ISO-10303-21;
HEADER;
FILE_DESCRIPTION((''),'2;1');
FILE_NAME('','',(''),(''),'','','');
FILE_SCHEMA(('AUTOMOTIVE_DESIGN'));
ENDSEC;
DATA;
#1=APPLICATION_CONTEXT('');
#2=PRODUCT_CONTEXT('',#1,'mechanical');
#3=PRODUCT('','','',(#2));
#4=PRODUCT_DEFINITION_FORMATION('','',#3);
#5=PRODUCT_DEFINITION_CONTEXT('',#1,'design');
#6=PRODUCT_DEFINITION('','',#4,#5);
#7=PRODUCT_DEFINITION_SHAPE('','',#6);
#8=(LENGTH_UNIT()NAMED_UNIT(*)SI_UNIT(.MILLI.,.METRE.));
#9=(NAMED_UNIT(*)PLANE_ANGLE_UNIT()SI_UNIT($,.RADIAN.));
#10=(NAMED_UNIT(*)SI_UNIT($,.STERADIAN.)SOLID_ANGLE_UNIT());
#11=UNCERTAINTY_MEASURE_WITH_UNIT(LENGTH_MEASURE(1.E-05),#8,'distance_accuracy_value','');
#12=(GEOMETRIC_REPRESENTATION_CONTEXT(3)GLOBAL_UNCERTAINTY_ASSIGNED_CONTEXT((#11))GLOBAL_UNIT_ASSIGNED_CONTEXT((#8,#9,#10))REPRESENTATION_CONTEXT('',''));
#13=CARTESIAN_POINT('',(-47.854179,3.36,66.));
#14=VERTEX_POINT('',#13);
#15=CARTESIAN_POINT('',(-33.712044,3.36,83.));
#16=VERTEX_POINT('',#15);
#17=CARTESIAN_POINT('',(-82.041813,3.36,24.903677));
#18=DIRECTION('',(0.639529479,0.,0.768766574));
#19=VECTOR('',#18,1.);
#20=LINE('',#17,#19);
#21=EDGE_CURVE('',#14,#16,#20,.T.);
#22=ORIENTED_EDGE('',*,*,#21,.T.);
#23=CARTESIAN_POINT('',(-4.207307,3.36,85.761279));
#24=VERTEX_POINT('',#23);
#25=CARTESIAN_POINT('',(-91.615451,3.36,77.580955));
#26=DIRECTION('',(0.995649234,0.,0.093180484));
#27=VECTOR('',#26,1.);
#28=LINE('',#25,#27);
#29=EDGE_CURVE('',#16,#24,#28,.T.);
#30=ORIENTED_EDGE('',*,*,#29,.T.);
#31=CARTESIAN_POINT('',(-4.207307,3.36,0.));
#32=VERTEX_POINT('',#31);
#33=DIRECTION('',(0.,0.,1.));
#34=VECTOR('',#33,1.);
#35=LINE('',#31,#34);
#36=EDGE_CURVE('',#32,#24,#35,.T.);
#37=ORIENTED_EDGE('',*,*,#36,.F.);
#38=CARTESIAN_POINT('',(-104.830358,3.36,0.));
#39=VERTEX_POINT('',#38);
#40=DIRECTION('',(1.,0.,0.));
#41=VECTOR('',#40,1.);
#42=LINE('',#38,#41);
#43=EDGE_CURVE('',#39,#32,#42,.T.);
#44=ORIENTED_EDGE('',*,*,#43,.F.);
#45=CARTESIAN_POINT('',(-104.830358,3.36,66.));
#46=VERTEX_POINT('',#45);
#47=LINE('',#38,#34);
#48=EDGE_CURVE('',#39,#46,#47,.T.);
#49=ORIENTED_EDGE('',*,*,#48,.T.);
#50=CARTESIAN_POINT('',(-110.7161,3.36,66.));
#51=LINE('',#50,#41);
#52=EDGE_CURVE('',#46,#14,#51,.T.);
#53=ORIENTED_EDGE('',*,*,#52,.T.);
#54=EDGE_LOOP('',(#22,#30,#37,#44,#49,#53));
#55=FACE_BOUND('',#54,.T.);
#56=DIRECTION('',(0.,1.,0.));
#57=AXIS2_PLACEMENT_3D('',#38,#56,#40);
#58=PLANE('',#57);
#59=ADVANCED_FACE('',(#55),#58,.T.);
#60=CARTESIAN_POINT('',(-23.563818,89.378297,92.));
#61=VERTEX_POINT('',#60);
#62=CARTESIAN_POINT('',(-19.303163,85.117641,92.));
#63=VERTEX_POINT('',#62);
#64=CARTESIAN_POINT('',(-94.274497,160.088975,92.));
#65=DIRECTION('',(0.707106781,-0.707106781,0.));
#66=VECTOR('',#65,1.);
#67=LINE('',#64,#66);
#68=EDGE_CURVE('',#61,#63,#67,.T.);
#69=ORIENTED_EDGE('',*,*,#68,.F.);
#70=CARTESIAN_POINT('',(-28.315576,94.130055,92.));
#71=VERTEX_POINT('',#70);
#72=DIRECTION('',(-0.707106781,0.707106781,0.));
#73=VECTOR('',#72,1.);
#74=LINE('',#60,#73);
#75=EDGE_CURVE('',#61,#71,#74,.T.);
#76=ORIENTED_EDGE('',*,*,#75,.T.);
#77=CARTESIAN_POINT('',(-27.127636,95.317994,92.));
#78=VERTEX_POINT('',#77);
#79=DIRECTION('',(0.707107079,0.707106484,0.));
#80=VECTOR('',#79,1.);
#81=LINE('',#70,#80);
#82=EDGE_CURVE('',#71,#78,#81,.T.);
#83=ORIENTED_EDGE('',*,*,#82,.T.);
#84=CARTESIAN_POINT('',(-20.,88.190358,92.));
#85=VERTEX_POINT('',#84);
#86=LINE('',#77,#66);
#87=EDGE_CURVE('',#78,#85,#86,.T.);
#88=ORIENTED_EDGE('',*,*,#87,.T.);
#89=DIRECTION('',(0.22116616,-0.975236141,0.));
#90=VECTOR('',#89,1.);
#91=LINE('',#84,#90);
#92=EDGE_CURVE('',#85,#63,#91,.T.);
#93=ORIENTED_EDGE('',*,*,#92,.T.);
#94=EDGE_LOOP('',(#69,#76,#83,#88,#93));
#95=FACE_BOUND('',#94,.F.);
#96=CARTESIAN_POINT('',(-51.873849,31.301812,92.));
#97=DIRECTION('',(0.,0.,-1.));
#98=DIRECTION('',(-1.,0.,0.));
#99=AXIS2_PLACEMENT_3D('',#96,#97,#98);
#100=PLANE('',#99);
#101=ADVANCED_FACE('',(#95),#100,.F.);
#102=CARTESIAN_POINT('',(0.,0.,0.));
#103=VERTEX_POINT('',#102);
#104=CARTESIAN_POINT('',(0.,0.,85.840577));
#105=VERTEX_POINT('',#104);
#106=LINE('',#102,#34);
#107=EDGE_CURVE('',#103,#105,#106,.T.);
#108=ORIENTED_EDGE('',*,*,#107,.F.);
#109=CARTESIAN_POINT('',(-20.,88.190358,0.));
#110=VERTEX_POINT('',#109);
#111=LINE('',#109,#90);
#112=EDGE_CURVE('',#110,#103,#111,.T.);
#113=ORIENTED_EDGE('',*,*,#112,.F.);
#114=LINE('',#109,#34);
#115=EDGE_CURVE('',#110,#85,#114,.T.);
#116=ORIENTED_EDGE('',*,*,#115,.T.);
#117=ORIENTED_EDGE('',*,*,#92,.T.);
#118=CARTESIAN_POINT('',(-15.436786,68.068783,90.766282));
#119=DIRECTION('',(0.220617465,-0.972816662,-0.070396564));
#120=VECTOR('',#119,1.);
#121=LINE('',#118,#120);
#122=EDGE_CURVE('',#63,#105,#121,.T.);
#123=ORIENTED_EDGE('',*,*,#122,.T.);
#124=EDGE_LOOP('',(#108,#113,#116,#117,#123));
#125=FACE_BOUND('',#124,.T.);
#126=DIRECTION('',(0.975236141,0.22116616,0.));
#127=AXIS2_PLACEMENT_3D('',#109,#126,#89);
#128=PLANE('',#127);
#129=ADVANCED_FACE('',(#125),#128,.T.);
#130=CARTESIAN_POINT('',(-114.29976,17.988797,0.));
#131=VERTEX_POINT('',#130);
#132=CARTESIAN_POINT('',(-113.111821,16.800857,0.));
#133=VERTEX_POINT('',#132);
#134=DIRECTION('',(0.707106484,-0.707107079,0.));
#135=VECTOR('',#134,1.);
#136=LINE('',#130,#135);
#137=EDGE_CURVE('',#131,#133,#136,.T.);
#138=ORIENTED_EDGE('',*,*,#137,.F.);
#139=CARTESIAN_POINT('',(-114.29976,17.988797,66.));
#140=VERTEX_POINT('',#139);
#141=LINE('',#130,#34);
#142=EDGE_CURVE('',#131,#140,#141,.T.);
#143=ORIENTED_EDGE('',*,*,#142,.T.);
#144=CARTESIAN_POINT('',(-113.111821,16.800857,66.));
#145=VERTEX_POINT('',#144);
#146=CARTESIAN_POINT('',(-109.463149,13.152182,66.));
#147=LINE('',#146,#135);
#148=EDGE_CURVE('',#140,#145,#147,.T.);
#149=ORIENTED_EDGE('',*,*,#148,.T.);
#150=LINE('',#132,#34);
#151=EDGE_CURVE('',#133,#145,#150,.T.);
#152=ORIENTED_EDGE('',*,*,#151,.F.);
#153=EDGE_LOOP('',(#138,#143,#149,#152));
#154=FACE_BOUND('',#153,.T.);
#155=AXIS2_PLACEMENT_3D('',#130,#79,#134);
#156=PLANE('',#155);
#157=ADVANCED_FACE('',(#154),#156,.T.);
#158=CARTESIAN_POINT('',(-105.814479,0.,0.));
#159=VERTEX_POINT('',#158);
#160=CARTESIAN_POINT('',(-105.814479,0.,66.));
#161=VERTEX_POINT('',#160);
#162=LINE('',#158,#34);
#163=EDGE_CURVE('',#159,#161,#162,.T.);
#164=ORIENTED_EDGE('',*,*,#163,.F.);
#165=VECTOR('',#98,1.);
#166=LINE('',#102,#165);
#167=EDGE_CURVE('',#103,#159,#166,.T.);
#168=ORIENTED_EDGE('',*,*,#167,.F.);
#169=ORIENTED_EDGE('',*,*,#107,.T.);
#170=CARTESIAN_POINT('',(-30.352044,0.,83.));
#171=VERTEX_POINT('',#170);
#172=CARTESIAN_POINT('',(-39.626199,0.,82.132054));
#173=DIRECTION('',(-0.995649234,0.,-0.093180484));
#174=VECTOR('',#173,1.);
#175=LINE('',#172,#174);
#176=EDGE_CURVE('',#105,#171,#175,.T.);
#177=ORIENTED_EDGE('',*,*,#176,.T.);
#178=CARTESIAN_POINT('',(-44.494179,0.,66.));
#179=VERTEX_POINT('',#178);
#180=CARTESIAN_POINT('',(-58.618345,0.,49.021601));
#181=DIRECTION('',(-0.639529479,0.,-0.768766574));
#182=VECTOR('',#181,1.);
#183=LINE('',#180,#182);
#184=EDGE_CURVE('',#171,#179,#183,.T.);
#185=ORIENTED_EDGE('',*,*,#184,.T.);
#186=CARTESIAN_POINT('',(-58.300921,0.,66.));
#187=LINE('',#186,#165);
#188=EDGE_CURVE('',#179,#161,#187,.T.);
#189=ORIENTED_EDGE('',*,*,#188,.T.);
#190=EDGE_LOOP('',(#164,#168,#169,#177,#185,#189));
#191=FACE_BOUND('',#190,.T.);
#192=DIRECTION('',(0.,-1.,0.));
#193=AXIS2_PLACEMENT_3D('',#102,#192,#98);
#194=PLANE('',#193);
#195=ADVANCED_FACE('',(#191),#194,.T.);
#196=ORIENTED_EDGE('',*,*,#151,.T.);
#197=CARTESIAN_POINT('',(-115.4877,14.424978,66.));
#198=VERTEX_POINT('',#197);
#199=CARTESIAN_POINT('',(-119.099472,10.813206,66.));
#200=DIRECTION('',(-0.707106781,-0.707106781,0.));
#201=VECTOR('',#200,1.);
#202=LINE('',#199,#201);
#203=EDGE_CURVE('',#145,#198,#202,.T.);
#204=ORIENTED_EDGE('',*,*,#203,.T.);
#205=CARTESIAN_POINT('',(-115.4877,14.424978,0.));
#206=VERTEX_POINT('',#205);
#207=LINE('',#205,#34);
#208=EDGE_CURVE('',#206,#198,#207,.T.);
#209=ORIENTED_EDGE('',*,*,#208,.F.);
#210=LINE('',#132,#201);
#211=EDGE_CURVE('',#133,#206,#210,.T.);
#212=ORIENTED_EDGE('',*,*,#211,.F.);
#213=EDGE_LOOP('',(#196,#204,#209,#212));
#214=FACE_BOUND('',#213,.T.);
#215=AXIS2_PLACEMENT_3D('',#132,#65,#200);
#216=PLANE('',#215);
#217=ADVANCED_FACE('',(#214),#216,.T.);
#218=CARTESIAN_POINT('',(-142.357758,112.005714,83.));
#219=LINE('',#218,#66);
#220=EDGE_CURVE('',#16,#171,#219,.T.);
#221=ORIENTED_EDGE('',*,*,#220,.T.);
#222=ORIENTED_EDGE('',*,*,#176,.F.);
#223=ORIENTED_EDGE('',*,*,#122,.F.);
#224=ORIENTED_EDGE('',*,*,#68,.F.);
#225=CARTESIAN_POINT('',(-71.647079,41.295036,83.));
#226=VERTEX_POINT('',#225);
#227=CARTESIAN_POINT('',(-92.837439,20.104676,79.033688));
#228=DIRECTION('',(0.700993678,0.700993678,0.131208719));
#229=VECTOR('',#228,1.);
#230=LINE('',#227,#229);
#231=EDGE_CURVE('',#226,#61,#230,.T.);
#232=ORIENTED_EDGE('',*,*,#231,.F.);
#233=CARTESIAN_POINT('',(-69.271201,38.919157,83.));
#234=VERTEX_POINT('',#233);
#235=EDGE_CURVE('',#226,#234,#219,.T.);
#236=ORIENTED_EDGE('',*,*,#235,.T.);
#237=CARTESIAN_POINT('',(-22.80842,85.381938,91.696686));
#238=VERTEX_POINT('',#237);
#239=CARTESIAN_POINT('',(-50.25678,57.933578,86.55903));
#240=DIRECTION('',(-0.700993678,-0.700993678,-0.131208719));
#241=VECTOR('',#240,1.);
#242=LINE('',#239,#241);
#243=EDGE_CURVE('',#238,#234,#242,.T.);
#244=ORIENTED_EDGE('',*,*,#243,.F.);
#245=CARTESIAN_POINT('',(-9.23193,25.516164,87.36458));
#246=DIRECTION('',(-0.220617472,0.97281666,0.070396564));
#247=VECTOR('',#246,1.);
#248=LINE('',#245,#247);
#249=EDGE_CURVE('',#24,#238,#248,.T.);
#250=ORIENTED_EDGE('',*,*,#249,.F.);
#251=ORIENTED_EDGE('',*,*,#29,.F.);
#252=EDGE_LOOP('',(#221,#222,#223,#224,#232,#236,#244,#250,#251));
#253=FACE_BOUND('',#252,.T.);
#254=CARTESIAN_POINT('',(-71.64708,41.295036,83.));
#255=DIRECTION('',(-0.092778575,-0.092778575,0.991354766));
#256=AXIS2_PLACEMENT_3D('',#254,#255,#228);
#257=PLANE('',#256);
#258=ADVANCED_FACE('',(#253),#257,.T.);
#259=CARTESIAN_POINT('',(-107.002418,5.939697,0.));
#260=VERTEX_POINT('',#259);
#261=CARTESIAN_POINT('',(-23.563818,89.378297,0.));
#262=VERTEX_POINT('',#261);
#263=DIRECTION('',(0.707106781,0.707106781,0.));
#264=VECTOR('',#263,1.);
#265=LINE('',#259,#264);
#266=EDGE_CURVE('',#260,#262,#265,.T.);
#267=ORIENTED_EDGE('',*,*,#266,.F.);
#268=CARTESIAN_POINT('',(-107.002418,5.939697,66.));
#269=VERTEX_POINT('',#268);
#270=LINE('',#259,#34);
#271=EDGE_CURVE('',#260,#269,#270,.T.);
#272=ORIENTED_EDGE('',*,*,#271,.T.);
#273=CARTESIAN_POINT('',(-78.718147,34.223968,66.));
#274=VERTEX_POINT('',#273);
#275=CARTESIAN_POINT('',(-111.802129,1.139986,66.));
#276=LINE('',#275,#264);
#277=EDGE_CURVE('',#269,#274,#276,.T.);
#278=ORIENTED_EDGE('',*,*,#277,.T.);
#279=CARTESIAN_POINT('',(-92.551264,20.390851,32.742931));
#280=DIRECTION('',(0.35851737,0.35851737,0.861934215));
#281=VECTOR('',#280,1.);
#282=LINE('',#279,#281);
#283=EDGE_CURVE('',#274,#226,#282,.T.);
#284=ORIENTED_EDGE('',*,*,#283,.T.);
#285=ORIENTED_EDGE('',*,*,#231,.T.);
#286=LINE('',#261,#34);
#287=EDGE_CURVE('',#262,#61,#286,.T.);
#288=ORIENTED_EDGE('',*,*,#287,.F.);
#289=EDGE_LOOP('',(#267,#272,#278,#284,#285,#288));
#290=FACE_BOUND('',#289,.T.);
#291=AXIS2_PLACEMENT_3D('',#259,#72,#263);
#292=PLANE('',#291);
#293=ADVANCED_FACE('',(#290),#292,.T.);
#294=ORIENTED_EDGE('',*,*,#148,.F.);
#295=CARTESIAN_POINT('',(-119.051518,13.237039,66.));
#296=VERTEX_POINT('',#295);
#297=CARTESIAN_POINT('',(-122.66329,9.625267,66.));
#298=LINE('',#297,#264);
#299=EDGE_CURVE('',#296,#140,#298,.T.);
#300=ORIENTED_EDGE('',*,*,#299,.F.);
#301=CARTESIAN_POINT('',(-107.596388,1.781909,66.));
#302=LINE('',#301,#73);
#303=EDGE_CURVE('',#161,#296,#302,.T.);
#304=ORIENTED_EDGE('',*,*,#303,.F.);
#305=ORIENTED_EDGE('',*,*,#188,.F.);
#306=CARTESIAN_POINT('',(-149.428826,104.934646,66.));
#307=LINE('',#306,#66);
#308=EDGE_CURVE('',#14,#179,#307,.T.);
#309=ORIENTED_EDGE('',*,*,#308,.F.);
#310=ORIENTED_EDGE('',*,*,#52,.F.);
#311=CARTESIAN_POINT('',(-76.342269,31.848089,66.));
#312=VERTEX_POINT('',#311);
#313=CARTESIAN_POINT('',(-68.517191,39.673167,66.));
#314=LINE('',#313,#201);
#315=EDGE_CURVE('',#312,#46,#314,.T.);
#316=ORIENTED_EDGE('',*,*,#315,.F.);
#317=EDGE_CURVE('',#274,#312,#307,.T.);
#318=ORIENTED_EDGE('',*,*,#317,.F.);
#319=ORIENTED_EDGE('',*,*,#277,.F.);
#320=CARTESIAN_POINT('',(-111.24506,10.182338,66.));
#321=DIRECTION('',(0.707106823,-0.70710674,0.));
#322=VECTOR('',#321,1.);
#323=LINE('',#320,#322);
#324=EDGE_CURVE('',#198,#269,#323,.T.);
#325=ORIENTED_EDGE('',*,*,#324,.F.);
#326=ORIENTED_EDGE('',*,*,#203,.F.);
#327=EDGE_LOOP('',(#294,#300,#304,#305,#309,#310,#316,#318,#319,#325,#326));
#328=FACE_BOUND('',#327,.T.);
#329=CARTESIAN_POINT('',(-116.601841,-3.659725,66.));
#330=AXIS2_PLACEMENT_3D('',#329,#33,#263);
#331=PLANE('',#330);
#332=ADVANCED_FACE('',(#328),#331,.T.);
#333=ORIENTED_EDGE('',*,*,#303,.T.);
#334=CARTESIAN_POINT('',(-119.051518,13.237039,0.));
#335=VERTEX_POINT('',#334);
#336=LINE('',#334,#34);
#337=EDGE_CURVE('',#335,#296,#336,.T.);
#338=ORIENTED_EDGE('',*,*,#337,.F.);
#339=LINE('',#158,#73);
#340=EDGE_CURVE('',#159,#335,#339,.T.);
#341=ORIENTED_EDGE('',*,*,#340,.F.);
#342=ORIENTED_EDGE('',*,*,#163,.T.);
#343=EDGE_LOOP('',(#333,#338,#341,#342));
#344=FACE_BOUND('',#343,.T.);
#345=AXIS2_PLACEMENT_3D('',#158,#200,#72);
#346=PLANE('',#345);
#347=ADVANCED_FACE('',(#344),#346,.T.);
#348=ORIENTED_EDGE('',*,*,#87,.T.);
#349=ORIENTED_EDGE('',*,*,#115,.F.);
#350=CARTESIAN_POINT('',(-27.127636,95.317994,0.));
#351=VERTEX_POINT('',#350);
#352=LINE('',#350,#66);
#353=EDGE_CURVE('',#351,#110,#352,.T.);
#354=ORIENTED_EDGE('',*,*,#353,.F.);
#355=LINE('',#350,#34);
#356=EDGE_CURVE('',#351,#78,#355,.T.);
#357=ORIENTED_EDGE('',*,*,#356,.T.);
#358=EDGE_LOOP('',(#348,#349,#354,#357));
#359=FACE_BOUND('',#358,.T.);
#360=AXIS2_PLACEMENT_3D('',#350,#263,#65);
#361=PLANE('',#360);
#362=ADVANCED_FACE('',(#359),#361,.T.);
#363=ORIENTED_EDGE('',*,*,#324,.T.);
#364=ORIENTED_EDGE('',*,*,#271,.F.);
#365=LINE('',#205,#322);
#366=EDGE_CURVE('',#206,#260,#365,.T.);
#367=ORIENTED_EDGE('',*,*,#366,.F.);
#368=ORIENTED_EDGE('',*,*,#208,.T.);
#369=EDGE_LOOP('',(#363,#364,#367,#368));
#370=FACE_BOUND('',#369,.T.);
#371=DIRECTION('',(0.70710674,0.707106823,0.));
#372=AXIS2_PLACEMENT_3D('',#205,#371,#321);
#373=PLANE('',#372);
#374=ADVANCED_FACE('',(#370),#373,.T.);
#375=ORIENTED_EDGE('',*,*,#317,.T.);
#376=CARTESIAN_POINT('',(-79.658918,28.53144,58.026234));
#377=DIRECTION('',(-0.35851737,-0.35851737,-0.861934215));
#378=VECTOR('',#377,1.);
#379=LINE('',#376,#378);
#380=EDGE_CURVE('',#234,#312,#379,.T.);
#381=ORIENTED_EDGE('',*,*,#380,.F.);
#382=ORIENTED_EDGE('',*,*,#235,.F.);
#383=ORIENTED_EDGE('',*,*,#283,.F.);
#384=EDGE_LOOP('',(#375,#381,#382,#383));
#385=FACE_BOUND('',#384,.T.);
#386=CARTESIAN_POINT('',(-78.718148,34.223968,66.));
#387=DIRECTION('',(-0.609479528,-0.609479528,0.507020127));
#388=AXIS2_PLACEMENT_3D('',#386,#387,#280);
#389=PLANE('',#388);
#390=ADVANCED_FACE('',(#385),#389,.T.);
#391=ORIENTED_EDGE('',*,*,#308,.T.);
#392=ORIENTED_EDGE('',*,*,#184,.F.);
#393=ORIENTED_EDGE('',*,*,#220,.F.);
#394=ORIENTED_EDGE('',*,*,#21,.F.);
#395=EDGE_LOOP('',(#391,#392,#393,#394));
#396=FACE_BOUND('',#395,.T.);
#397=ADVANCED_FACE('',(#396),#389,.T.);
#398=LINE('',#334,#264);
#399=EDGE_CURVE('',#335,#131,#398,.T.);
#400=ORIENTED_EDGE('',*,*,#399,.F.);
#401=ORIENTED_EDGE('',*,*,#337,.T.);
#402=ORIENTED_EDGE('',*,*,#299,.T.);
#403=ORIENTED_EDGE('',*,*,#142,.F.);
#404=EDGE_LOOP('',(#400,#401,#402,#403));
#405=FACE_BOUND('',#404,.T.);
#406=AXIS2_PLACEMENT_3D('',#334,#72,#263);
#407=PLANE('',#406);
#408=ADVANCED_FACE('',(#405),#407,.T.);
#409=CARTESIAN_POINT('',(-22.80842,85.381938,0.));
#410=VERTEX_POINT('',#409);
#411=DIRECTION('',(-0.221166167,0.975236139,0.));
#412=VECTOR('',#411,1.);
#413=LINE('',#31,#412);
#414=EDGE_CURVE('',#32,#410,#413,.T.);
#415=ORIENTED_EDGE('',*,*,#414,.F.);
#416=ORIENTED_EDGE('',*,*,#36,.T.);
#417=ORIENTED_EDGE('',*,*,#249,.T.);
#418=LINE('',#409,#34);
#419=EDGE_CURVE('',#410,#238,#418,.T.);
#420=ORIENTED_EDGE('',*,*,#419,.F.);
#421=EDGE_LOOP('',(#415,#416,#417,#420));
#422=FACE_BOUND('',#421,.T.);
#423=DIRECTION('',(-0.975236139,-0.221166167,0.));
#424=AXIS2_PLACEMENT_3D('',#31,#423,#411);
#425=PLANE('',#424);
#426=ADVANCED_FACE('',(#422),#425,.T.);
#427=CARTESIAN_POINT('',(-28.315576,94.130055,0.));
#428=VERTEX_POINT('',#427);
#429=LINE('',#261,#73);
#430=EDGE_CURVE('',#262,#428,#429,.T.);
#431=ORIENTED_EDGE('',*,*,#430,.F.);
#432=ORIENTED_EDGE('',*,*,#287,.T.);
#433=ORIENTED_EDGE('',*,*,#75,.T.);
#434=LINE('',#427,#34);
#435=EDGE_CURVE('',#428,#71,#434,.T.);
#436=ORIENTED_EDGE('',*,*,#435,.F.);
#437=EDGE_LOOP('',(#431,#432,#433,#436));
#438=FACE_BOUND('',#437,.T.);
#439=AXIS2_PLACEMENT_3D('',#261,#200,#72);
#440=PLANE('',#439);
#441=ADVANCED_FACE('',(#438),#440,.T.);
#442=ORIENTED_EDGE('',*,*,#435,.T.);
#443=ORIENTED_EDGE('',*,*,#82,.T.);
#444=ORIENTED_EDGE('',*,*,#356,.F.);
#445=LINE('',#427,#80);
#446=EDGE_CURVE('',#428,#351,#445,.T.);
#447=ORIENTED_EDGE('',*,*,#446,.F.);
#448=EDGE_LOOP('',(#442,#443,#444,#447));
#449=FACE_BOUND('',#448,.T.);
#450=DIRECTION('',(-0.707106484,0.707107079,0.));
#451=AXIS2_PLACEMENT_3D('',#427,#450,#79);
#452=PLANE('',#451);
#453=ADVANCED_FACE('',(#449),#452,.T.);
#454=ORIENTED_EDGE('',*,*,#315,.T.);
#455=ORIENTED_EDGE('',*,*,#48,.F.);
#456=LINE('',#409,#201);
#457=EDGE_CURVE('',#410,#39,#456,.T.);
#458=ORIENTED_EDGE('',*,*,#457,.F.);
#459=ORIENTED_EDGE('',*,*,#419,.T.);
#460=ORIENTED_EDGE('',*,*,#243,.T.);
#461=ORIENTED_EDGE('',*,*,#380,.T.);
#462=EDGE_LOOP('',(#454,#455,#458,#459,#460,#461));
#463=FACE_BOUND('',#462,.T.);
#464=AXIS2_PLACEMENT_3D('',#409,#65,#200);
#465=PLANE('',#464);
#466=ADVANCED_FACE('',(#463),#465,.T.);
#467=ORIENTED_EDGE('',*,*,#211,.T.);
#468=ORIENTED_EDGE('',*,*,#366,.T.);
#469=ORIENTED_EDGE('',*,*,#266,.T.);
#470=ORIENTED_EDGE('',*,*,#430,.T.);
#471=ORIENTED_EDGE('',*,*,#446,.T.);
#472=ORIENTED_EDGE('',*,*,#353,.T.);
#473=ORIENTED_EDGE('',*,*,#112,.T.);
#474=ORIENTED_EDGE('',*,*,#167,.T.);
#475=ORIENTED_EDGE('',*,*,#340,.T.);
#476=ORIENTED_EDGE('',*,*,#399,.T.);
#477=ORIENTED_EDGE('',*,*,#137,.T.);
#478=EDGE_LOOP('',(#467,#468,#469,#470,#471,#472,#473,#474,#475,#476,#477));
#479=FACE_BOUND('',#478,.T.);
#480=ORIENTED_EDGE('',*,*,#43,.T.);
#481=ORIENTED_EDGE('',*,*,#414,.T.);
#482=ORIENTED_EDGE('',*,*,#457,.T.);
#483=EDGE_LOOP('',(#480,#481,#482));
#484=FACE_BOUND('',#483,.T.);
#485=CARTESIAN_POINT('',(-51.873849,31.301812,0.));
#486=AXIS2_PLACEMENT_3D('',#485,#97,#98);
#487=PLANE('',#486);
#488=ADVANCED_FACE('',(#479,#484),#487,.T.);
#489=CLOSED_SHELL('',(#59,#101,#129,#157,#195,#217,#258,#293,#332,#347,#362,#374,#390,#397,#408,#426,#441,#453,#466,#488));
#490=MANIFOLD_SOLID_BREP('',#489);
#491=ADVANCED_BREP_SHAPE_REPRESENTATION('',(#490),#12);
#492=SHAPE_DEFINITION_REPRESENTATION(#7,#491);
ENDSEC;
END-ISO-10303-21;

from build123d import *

# Parameters (mm, degrees)
PAD_DEPTH    = 92
POCKET_DEPTH = 100


with BuildPart() as part:
    # Sketch → Pad (new body)
    with BuildSketch(Plane.XY):
        Polygon((-107.002418, 5.939697), (-23.563818, 89.378297), (-28.315576, 94.130055), (-27.127636, 95.317994), (-20, 88.190358), (0, 0), (-105.814479, 0), (-119.051518, 13.237039), (-114.29976, 17.988797), (-113.111821, 16.800857), (-115.4877, 14.424978), align=None)
        Polygon((-22.80842, 85.381938), (-104.830358, 3.36), (-4.207307, 3.36), align=None, mode=Mode.SUBTRACT)
    extrude(amount=PAD_DEPTH)

    # Sketch001 (on Face1 of Pad) → Pocket (cut, symmetric)
    with BuildSketch(Plane(origin=(-56.471058, 56.471058, 0), x_dir=(-0.707107, -0.707107, 0), z_dir=(-0.707107, 0.707107, 0))):
        Polygon((85.037769, 66), (31.462136, 66), (21.462136, 83), (-46.537864, 92), (-46.537864, 107.253265), (85.037769, 107.253265), align=None)
    extrude(amount=POCKET_DEPTH, both=True, mode=Mode.SUBTRACT)


solid = part.part
